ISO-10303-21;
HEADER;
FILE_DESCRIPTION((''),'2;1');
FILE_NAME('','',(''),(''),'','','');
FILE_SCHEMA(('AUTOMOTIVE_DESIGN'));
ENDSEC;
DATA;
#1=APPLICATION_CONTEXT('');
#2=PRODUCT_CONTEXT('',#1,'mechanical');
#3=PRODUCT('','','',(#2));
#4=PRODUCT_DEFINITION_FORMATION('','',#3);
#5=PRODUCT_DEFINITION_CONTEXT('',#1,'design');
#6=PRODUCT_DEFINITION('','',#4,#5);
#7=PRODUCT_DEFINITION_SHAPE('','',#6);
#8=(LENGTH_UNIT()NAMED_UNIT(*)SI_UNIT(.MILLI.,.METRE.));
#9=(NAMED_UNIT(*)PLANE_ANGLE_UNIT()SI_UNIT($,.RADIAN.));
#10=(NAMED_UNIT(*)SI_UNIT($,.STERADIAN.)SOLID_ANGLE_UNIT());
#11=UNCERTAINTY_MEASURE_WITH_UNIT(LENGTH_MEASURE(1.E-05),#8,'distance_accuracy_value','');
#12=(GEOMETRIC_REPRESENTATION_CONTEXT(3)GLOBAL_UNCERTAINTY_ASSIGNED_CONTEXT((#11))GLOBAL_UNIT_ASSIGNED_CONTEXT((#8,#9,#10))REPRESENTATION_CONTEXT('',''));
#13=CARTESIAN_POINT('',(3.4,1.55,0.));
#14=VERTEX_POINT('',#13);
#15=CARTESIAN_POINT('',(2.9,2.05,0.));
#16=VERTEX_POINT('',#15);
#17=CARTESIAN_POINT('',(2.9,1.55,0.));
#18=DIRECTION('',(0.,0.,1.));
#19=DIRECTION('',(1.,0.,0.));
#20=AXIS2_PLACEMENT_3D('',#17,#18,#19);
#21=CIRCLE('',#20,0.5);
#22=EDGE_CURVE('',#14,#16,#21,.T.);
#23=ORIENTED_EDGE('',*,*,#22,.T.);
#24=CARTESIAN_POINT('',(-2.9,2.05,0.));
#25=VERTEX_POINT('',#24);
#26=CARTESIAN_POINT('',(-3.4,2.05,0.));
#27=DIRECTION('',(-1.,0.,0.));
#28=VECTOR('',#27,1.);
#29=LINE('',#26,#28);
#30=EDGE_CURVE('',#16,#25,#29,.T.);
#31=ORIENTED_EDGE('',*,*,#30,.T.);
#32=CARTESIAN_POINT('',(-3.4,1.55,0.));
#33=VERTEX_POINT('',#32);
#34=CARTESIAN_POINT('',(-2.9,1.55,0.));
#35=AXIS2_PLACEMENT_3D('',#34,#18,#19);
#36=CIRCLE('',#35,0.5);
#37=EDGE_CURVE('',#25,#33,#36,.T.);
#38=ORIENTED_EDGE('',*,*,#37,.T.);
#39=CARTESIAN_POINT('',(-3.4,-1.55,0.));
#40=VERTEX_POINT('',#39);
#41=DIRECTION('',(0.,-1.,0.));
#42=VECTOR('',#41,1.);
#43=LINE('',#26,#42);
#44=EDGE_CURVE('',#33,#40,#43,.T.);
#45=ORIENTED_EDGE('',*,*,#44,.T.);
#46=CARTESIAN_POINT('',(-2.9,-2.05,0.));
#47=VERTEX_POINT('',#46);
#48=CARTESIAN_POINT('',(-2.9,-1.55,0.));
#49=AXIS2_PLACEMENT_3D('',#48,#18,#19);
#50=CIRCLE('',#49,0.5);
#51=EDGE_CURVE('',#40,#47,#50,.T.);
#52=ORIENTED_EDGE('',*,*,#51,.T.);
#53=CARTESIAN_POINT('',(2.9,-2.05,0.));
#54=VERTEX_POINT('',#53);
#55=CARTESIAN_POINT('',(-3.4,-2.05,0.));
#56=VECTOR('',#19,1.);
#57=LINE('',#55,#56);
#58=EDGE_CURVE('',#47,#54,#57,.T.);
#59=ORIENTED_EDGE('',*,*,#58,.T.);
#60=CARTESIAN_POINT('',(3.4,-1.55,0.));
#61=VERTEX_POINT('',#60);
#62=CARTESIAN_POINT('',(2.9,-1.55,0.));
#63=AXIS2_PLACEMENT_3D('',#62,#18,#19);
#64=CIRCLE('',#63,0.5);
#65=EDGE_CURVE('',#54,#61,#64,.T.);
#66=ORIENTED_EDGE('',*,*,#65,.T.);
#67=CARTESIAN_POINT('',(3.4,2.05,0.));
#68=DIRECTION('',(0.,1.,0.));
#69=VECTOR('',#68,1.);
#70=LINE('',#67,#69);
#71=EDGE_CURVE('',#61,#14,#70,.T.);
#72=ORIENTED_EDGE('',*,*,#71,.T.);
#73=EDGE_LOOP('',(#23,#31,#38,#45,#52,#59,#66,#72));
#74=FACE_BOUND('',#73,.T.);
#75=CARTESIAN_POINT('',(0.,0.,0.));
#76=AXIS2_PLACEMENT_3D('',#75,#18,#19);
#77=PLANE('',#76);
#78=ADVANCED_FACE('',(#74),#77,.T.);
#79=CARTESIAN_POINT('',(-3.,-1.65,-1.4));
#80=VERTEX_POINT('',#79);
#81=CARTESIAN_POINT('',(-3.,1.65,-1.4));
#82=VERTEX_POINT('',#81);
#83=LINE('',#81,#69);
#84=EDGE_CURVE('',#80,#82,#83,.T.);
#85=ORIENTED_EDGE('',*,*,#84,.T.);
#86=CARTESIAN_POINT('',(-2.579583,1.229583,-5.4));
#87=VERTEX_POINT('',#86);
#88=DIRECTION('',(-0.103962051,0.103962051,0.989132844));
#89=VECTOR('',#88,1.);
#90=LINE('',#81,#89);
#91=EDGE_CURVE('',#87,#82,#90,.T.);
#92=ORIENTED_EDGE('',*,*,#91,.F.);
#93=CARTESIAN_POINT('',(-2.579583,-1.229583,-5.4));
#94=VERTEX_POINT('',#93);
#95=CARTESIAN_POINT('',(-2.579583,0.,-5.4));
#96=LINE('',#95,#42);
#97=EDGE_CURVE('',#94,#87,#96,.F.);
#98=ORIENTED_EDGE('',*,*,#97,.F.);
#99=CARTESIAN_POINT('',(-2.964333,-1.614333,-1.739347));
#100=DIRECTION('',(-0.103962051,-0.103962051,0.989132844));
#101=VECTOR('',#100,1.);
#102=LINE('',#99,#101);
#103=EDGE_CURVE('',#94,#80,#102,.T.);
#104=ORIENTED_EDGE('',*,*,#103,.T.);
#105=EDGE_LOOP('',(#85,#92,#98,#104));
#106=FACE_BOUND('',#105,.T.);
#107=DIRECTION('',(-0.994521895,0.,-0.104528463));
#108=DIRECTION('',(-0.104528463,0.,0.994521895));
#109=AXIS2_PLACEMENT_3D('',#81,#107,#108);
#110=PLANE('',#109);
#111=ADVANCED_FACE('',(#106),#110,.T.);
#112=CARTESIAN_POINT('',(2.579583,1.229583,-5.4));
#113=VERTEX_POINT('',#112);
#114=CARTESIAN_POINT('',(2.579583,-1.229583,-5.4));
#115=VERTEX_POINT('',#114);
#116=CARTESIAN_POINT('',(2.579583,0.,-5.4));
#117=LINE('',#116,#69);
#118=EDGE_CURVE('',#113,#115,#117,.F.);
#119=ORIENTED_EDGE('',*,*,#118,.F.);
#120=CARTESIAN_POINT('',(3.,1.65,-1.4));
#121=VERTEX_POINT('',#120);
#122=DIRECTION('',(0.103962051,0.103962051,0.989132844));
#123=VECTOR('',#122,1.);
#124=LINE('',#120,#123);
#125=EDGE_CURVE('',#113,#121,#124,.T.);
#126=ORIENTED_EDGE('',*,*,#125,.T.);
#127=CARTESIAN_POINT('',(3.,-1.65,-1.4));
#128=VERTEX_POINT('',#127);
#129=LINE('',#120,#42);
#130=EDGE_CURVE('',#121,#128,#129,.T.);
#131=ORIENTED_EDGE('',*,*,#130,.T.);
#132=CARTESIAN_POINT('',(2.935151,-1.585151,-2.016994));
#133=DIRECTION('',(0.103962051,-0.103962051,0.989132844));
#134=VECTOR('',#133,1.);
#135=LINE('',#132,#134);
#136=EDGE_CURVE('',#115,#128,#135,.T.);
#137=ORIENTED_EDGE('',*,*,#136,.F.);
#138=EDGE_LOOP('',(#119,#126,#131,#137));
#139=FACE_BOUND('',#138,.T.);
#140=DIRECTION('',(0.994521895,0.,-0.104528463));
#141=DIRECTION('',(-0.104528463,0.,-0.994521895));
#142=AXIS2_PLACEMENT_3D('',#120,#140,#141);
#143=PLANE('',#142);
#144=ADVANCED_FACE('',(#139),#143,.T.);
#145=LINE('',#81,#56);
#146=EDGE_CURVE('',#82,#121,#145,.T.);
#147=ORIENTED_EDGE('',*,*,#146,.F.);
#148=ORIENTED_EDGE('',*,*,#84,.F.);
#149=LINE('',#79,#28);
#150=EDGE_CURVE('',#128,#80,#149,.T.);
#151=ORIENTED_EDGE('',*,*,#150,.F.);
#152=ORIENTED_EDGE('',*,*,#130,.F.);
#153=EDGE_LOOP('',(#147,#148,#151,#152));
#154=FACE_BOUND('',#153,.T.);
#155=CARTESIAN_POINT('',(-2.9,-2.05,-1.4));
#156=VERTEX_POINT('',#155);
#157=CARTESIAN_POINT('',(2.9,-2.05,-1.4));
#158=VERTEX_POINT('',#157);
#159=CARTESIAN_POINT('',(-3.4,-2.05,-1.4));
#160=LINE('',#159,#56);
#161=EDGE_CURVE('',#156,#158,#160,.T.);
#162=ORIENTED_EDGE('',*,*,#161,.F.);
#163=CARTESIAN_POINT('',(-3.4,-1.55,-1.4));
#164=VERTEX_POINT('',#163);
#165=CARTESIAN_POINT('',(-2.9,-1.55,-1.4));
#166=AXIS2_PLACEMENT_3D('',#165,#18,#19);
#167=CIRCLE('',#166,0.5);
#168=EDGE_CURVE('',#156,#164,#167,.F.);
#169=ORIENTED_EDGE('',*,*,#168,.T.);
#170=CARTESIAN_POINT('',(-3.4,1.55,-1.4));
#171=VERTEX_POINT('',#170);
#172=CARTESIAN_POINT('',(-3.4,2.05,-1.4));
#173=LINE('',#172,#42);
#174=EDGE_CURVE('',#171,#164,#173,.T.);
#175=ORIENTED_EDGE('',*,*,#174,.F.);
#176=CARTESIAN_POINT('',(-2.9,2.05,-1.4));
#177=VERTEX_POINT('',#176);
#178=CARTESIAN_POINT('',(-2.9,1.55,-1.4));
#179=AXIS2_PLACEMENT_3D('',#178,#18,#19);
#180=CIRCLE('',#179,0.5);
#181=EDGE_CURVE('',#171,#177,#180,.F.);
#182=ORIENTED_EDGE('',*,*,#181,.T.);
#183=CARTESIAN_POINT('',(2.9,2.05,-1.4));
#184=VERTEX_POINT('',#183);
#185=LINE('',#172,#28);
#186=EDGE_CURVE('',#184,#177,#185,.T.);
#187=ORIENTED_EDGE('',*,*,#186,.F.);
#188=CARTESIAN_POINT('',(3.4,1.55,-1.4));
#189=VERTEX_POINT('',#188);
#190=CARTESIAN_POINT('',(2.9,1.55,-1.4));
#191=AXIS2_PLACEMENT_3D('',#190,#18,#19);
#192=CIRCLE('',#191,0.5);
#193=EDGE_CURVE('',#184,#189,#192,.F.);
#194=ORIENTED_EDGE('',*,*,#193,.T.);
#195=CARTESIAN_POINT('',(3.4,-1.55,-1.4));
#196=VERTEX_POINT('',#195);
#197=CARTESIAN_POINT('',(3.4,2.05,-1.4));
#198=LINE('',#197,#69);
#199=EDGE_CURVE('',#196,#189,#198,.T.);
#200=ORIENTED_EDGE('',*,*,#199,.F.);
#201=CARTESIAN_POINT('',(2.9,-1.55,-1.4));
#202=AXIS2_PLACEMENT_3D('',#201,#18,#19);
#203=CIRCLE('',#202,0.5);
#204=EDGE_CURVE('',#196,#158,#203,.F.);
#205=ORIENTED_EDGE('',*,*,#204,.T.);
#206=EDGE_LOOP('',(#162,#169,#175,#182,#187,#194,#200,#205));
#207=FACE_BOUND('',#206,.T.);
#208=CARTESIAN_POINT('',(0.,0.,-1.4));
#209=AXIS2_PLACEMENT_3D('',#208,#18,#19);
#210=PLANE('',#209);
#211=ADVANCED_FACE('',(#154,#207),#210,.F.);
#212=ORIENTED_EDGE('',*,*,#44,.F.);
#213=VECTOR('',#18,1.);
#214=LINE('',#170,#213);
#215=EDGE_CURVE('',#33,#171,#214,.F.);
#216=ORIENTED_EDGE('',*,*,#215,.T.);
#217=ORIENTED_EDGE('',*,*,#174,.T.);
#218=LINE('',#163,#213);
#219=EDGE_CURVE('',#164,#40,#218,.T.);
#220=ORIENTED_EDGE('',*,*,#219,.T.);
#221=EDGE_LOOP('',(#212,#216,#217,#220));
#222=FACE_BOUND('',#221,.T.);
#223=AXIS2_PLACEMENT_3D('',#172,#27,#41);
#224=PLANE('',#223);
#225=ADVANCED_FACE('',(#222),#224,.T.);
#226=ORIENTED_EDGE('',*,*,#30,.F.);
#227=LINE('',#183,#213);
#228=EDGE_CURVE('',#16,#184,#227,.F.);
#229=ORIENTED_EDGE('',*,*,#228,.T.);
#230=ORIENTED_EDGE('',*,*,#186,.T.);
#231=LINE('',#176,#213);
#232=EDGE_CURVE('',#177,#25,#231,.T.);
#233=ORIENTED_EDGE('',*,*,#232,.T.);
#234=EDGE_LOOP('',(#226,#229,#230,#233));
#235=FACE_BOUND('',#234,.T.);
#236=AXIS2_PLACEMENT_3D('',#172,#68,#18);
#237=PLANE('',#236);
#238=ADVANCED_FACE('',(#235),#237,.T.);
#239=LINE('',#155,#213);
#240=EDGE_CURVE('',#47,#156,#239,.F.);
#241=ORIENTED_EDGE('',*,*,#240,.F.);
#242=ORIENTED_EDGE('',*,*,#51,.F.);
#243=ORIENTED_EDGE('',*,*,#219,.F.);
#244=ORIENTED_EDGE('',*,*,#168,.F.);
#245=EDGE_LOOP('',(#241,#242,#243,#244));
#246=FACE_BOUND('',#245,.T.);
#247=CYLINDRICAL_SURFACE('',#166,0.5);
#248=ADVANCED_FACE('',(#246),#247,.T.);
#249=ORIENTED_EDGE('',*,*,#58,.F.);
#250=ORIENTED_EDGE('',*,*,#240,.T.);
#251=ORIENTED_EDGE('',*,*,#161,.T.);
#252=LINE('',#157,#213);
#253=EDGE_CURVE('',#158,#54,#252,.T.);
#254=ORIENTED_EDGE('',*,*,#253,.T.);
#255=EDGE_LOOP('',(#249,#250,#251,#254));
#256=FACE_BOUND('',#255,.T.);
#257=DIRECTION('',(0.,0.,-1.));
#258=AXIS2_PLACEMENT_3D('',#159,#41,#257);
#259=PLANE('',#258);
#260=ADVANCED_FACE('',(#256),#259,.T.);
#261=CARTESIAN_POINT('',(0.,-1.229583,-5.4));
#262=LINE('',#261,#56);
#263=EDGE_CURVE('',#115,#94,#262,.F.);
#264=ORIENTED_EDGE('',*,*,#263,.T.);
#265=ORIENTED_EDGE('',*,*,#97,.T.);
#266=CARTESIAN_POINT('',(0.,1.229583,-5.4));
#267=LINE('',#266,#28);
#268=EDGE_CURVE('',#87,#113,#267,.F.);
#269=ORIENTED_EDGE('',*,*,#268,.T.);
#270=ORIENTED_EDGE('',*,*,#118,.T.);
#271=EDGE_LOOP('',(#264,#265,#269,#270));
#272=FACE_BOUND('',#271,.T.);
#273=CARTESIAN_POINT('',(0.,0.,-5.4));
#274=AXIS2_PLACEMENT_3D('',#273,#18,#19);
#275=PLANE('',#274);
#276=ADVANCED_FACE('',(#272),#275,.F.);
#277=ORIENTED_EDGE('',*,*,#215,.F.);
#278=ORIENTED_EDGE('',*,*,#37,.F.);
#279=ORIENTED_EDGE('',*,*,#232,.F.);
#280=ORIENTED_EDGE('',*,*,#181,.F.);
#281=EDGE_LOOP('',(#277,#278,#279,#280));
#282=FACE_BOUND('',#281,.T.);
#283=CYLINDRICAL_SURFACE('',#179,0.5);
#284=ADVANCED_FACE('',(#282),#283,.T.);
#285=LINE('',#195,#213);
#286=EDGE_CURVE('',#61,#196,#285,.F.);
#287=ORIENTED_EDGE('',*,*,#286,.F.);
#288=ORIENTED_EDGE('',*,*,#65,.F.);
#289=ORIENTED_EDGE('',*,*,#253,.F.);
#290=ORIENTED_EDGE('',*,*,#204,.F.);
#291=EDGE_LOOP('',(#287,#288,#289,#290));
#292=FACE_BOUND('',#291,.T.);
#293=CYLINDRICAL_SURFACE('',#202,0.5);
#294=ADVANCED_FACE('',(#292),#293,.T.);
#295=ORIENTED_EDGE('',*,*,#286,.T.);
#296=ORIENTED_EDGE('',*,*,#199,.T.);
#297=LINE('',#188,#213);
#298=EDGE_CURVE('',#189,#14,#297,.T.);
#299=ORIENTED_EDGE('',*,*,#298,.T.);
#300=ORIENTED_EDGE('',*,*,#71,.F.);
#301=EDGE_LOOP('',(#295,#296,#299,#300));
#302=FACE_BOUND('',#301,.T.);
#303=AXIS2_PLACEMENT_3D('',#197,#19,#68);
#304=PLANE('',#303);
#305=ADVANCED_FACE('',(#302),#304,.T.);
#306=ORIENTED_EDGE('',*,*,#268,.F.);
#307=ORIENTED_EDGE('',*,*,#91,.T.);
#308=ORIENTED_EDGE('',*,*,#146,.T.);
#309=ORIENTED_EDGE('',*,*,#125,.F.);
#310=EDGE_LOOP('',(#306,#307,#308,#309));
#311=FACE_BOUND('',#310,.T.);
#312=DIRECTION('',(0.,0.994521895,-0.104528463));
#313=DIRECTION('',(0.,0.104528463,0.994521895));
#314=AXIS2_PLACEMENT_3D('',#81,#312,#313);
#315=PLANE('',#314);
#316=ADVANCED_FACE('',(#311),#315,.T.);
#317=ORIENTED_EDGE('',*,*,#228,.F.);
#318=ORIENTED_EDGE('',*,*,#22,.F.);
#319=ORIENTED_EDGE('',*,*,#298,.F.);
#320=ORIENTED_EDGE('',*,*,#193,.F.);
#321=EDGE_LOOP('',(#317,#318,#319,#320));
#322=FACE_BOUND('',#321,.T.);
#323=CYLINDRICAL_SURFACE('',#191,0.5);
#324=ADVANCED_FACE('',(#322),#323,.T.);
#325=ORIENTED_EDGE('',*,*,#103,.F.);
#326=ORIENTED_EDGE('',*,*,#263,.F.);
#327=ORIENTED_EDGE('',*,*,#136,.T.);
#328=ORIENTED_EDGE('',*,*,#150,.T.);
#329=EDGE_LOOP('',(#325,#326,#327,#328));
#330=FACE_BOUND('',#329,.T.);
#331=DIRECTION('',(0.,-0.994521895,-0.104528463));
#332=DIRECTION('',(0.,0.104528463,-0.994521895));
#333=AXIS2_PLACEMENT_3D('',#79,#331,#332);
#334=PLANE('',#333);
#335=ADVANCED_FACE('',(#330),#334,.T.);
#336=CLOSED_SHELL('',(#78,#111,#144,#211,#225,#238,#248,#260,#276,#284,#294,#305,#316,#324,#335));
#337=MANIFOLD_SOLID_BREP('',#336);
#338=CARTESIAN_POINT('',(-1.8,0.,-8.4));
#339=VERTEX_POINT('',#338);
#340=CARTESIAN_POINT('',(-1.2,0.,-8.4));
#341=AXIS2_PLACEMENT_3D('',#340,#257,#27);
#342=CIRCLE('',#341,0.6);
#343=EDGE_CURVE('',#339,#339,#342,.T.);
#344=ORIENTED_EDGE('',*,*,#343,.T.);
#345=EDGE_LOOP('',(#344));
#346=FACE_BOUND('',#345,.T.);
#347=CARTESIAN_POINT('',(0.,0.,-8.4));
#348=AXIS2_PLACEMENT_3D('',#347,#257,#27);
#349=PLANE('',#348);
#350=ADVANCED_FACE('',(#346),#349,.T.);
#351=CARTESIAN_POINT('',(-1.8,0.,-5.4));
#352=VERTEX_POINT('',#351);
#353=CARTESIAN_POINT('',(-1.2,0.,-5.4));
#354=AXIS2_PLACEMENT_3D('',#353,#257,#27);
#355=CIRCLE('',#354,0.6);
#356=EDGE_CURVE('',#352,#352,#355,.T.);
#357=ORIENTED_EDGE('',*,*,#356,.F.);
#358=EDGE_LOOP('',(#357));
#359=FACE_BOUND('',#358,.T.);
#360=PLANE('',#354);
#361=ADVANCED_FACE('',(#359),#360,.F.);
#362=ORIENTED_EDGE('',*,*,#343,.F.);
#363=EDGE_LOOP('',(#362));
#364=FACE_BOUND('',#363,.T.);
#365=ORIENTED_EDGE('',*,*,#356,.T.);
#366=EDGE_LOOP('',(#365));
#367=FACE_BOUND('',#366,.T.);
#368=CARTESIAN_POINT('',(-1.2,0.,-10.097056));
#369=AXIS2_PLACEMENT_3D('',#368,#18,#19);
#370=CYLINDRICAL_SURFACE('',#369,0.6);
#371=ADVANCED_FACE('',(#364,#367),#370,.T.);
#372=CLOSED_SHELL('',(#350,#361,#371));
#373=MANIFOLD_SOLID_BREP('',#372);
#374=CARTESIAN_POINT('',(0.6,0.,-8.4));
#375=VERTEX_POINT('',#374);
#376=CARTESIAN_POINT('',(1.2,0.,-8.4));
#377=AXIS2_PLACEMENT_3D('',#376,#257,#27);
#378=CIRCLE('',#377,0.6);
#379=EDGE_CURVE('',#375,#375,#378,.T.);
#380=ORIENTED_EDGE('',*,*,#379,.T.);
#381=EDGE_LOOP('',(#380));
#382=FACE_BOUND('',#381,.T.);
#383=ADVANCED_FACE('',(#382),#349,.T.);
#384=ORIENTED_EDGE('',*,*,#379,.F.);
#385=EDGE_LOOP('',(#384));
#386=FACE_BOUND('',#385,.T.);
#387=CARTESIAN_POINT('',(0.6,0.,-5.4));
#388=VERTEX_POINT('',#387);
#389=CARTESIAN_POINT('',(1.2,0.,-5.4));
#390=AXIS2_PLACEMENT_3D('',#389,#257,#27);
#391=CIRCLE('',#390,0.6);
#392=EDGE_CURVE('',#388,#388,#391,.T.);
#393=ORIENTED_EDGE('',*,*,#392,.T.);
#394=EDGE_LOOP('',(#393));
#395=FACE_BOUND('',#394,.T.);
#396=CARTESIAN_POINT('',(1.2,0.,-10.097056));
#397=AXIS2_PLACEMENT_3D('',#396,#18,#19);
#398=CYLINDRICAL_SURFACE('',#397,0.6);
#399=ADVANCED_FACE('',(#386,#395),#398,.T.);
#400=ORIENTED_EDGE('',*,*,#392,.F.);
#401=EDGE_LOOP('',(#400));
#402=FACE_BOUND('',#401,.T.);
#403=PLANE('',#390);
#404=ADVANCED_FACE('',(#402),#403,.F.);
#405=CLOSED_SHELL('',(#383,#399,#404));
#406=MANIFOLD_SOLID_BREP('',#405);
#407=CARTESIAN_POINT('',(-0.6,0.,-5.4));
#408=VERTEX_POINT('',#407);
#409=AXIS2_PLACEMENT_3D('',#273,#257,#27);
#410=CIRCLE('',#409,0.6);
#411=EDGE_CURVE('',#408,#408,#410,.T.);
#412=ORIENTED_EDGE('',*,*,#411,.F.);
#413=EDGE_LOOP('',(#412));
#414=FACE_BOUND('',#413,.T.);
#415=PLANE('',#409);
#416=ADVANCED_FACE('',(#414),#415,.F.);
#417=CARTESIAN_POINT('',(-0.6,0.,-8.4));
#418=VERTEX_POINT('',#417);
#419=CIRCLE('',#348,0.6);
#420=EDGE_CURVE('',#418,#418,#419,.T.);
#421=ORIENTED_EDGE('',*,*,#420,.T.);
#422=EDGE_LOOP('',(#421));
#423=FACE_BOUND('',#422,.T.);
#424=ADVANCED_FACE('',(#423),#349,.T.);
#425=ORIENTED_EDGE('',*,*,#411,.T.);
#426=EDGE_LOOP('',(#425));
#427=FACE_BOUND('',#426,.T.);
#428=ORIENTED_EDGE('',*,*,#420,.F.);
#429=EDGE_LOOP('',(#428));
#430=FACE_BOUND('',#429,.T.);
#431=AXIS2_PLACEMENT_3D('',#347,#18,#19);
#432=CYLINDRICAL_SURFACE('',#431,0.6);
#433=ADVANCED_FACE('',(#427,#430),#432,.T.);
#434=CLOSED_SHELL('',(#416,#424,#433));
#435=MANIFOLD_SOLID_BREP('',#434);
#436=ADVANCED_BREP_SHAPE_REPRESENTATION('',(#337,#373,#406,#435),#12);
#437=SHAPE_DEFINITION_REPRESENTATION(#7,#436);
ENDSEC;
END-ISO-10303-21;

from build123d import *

# Parameters (mm, degrees)
SKETCH1_W           = 6.8
SKETCH1_H           = 4.1
BOSS_EXTRUDE1_DEPTH = 1.4
SKETCH2_W           = 6
SKETCH2_H           = 3.3
BOSS_EXTRUDE2_DEPTH = 4
BOSS_EXTRUDE2_TAPER = 6
FILLET1_R           = 0.5
SKETCH3_R           = 0.6
POSITIVE_DEPTH      = 3
SKETCH4_R           = 0.6
SIGNAL_DEPTH        = 3
SKETCH5_R           = 0.6
NEGATIVE_DEPTH      = 3


with BuildPart() as part:
    # Sketch1 → Boss-Extrude1 (new body)
    with BuildSketch(Plane.XY):
        Rectangle(SKETCH1_W, SKETCH1_H)
    extrude(amount=-BOSS_EXTRUDE1_DEPTH)

    # Sketch2 → Boss-Extrude2 (add)
    with BuildSketch(Plane(origin=(0, 0, -1.4), x_dir=(-1, 0, 0), z_dir=(0, 0, -1))):
        Rectangle(SKETCH2_W, SKETCH2_H)
    extrude(amount=BOSS_EXTRUDE2_DEPTH, taper=BOSS_EXTRUDE2_TAPER)

    # Fillet1
    fillet1_edges = [part.edges().sort_by_distance(p)[0] for p in [
        (3.4, -2.05, -0.7),
        (-3.4, -2.05, -0.7),
        (-3.4, 2.05, -0.7),
        (3.4, 2.05, -0.7),
    ]]
    fillet(fillet1_edges, radius=FILLET1_R)


with BuildPart() as body_2:
    # Sketch3 → POSITIVE (new body)
    with BuildSketch(Plane(origin=(0, 0, -5.4), x_dir=(-1, 0, 0), z_dir=(0, 0, -1))):
        Circle(SKETCH3_R)
    extrude(amount=POSITIVE_DEPTH)


with BuildPart() as body_3:
    # Sketch4 → SIGNAL (new body)
    with BuildSketch(Plane(origin=(0, 0, -5.4), x_dir=(-1, 0, 0), z_dir=(0, 0, -1))):
        with Locations((1.2, 0)):
            Circle(SKETCH4_R)
    extrude(amount=SIGNAL_DEPTH)


with BuildPart() as body_4:
    # Sketch5 → NEGATIVE (new body)
    with BuildSketch(Plane(origin=(0, 0, -5.4), x_dir=(-1, 0, 0), z_dir=(0, 0, -1))):
        with Locations((-1.2, 0)):
            Circle(SKETCH5_R)
    extrude(amount=NEGATIVE_DEPTH)


solid = Compound([part.part, body_2.part, body_3.part, body_4.part])
